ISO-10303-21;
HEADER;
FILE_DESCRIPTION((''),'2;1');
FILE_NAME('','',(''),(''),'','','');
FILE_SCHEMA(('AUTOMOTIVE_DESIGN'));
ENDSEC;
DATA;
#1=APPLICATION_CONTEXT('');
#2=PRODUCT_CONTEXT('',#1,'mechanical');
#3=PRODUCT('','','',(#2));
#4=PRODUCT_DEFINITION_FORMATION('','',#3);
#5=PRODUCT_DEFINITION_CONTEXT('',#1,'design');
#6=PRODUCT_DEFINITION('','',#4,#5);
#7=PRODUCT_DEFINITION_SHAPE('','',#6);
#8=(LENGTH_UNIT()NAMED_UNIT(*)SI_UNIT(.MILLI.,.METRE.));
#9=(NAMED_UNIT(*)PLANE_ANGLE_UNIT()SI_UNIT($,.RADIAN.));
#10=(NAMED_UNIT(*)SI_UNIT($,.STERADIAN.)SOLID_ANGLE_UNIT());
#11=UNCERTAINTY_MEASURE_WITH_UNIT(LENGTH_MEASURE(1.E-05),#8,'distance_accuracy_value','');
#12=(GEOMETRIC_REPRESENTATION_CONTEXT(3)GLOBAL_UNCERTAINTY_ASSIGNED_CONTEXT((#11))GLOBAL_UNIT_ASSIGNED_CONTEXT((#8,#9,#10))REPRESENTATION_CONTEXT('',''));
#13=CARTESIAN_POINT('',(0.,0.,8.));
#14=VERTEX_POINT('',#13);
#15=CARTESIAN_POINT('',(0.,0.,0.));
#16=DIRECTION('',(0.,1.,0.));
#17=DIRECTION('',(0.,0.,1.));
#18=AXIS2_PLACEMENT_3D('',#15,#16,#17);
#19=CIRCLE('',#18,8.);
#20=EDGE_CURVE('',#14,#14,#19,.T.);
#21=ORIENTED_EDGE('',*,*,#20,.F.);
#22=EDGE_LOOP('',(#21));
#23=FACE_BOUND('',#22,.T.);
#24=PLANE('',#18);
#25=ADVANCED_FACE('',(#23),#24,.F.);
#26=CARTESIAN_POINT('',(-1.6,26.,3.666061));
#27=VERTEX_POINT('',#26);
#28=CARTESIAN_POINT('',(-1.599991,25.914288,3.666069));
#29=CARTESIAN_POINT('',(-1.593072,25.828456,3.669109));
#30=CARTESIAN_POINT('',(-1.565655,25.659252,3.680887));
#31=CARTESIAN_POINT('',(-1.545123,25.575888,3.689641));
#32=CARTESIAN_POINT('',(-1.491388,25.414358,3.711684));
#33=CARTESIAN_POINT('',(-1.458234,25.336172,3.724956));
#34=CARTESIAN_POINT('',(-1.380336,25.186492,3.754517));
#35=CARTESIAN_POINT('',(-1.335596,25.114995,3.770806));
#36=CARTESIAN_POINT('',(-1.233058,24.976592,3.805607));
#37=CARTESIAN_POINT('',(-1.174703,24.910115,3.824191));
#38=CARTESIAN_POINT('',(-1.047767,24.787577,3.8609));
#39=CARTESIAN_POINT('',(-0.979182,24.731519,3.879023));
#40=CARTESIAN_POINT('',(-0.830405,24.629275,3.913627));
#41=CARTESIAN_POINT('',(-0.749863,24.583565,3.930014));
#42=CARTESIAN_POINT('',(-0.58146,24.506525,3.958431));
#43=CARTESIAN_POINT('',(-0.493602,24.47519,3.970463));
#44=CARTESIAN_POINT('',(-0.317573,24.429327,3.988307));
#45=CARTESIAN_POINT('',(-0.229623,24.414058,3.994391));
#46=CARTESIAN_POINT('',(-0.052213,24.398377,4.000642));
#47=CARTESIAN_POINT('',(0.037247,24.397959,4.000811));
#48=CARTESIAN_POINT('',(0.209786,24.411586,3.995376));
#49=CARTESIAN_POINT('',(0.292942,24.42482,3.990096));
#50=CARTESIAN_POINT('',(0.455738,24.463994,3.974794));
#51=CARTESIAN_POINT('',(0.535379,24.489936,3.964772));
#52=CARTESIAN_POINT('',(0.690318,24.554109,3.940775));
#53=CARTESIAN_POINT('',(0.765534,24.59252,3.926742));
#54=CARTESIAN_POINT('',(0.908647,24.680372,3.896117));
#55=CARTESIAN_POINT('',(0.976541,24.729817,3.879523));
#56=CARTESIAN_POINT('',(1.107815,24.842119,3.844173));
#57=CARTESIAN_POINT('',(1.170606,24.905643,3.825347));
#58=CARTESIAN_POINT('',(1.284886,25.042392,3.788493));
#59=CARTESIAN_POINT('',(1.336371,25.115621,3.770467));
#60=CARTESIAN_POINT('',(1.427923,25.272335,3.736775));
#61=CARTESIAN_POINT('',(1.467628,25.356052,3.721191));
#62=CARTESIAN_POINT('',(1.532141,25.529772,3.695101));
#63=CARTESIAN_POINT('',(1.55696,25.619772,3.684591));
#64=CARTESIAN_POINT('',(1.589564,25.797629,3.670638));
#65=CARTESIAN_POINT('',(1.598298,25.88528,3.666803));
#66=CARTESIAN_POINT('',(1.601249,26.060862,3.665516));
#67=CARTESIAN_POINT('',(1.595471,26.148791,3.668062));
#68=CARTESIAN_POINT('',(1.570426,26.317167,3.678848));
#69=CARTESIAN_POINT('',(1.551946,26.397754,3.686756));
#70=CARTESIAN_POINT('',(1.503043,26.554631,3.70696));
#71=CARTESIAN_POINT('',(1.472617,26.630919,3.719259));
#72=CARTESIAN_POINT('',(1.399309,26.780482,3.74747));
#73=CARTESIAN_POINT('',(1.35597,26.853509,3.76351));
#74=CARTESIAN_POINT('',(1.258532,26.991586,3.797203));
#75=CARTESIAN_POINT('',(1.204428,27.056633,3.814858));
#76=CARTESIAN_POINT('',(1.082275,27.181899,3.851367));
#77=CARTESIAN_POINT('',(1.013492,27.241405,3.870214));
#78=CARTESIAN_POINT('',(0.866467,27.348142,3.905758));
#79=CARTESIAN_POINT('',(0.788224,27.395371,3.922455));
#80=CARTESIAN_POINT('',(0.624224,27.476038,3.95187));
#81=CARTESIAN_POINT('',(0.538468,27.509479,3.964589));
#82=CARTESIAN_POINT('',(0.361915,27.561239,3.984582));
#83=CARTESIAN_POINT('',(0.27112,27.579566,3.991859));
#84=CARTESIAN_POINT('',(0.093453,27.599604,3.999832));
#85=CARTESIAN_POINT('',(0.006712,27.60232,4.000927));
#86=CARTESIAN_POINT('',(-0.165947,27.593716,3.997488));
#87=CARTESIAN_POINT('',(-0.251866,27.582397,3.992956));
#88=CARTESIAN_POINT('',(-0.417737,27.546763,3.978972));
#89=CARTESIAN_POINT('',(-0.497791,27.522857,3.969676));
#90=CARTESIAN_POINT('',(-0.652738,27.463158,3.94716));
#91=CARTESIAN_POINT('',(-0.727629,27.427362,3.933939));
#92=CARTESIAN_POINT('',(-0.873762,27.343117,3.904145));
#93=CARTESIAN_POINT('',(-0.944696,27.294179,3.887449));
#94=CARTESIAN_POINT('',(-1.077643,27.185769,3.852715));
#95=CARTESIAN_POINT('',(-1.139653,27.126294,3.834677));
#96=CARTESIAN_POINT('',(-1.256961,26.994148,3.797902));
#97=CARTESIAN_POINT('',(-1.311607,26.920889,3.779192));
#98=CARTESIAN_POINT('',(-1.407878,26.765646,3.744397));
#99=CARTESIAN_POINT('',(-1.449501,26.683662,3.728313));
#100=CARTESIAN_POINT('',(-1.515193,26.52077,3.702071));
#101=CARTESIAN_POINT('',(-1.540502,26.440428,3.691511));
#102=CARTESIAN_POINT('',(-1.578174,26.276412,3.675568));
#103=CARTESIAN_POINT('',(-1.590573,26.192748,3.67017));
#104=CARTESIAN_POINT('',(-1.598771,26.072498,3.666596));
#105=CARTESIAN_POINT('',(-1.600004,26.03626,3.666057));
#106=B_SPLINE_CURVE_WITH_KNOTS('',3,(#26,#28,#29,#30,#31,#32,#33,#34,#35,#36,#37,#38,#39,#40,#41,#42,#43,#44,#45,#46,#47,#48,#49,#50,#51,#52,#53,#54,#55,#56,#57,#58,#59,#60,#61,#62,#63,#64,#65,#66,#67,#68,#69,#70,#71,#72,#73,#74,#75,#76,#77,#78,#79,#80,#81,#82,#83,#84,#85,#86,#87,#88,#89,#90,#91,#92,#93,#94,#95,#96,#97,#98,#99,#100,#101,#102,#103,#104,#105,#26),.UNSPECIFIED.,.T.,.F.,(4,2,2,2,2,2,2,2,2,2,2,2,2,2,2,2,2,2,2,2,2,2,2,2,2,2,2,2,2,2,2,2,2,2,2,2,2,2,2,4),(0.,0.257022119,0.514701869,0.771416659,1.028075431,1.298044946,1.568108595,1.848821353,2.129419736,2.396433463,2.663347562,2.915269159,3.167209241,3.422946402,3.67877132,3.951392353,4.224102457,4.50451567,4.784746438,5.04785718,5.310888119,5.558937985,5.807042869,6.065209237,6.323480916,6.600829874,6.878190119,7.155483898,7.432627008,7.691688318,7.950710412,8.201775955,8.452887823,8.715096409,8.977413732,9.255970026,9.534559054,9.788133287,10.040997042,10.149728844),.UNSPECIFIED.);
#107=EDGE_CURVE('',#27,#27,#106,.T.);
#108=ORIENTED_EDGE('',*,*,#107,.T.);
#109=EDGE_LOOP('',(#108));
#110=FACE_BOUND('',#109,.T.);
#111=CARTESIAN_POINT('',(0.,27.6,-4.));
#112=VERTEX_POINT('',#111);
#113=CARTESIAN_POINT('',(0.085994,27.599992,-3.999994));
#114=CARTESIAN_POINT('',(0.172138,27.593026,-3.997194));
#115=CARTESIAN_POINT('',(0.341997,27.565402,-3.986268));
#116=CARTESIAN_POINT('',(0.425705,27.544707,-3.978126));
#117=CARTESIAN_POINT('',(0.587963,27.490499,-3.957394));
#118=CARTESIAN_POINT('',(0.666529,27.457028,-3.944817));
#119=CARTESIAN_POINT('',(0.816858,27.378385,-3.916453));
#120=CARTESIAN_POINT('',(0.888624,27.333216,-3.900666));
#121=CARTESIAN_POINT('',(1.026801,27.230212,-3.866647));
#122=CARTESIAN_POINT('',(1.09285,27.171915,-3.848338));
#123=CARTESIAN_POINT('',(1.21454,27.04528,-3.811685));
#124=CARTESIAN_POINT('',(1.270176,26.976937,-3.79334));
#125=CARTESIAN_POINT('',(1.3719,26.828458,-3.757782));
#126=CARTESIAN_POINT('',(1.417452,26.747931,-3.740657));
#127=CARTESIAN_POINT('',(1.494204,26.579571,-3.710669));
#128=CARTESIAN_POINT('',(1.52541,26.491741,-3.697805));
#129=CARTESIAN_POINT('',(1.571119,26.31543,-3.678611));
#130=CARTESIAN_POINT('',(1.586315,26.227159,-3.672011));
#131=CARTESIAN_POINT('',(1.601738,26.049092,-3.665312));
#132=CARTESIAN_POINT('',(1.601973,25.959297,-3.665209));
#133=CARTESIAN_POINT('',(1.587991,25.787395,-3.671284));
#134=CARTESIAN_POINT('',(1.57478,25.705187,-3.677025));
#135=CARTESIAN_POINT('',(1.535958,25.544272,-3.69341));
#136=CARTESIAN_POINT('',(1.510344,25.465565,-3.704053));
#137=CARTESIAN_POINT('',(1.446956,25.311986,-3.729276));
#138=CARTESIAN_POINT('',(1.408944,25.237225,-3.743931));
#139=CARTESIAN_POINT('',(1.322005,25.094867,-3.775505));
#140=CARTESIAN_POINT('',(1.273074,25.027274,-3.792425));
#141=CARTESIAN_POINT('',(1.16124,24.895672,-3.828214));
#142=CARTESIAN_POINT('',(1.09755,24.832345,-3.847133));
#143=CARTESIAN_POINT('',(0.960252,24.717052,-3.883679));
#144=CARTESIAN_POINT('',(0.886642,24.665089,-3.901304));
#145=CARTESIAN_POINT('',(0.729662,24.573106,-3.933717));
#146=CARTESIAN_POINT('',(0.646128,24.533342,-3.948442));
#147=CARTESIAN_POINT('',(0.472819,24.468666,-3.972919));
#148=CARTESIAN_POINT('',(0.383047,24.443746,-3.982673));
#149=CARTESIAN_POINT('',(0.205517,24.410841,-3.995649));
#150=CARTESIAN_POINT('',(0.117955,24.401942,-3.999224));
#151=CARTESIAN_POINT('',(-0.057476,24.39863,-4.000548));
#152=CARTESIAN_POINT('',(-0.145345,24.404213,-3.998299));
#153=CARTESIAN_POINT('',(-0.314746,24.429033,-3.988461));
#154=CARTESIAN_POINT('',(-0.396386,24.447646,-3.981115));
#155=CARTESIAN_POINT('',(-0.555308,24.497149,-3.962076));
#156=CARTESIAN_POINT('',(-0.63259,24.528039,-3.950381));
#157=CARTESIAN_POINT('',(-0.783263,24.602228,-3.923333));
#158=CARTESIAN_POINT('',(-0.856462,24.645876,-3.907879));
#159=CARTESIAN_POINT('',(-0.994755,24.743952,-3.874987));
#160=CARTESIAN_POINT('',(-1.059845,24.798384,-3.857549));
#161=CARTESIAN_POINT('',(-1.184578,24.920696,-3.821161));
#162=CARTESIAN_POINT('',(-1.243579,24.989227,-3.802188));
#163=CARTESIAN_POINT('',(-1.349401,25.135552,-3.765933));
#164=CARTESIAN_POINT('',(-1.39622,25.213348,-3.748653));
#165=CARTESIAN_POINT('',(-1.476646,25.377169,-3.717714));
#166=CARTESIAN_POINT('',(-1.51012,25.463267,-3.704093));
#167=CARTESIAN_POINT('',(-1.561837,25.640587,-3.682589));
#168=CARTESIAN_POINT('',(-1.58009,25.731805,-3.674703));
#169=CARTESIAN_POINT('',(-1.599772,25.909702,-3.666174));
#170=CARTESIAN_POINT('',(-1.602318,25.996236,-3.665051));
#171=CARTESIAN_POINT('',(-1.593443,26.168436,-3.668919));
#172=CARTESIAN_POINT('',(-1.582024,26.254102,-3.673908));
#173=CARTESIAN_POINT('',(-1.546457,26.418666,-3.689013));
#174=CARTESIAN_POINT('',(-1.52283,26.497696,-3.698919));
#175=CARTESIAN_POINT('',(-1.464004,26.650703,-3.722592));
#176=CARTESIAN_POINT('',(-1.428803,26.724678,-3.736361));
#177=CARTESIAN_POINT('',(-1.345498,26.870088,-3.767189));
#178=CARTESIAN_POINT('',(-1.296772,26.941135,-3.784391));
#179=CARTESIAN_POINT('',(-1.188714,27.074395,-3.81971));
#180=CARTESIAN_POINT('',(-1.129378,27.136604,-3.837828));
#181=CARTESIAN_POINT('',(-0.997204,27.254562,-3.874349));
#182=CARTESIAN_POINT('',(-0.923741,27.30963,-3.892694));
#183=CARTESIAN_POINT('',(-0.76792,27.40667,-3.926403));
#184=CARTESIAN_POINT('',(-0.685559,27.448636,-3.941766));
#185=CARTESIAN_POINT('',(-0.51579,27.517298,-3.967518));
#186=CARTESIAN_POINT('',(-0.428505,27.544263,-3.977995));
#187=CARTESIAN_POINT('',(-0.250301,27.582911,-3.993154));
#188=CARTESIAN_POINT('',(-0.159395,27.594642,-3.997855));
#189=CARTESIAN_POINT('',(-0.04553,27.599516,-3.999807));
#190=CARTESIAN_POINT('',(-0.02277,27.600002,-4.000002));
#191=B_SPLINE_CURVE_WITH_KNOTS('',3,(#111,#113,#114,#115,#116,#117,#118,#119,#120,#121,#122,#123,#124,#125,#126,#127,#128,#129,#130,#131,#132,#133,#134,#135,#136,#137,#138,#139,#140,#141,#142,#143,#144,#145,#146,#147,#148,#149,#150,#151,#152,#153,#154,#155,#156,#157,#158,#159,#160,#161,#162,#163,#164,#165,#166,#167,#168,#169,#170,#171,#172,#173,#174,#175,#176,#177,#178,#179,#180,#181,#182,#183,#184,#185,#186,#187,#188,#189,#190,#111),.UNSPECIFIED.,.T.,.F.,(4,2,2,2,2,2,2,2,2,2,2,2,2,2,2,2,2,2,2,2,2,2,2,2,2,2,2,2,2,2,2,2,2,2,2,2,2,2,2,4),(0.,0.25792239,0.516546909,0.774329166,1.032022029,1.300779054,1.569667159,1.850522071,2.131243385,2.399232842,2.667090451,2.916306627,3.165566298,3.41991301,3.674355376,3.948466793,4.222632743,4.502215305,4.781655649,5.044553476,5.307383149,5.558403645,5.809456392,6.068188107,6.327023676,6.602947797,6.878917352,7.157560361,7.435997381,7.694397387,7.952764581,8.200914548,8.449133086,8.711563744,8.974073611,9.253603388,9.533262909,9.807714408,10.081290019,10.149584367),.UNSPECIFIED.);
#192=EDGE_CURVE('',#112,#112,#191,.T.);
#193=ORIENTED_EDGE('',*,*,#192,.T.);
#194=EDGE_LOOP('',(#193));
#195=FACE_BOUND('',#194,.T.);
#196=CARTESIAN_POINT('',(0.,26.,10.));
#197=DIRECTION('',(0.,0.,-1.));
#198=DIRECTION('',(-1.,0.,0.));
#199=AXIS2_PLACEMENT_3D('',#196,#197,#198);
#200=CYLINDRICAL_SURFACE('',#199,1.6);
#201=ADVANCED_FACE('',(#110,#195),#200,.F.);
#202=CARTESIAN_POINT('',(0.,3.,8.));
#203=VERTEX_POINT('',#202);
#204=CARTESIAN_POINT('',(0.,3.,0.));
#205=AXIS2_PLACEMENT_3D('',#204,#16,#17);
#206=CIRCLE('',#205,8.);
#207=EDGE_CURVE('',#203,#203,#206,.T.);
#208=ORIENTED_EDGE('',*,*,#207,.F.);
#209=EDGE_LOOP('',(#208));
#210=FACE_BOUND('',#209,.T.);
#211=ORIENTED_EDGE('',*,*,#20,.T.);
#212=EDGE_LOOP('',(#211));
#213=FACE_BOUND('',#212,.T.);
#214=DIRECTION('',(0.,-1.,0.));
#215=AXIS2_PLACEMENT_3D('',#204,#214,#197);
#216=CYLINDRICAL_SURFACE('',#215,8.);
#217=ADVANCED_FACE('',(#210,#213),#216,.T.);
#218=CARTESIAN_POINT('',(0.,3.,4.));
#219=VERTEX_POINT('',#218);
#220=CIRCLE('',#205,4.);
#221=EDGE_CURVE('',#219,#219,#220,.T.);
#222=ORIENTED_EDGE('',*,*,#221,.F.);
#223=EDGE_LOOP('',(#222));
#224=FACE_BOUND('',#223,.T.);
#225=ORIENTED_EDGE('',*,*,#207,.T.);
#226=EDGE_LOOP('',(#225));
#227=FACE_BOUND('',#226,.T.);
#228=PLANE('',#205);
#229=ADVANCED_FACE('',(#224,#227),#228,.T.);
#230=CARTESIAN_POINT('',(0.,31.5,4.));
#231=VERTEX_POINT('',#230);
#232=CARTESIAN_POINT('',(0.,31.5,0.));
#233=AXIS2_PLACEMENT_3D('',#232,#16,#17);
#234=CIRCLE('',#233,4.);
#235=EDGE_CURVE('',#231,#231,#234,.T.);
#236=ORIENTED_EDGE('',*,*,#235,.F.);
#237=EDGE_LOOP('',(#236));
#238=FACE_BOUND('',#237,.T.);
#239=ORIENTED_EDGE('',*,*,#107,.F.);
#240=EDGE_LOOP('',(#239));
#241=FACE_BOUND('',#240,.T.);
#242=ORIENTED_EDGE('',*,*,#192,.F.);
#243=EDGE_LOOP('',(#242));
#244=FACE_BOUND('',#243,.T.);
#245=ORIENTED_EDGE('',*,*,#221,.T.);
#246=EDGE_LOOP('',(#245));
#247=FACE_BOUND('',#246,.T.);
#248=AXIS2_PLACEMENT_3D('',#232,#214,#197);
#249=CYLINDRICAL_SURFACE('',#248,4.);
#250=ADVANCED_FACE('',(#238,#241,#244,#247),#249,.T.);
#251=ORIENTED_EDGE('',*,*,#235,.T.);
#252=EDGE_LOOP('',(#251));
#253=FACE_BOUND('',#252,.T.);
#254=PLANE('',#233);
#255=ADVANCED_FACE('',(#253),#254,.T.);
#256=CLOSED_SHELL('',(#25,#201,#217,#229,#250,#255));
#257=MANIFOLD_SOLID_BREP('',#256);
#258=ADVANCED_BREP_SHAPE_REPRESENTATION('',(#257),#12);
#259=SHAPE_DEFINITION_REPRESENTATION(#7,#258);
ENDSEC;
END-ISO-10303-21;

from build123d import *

# Parameters (mm, degrees)
ESQUISSE1_R                  = 8
ESQUISSE1_R_2                = 4
BOSS_EXTRU_1_DEPTH           = 3
ESQUISSE1_4_R                = 4
BOSS_EXTRU_3_DEPTH           = 31.5
ENL_V_MAT_EXTRU_1_DEPTH      = 10
ENL_V_MAT_EXTRU_1_DEPTH_BACK = 10
ESQUISSE2_R                  = 1.6


with BuildPart() as part:
    # Esquisse1 → Boss.-Extru.1 (new body)
    with BuildSketch(Plane(origin=(0, 0, 0), x_dir=(1, 0, 0), z_dir=(0, 1, 0))):
        Circle(ESQUISSE1_R)
        Circle(ESQUISSE1_R_2, mode=Mode.SUBTRACT)
    extrude(amount=BOSS_EXTRU_1_DEPTH)

    # Esquisse1<4> → Boss.-Extru.3 (add)
    with BuildSketch(Plane(origin=(0, 0, 0), x_dir=(1, 0, 0), z_dir=(0, 1, 0))):
        Circle(ESQUISSE1_4_R)
    extrude(amount=BOSS_EXTRU_3_DEPTH)

    # Esquisse2 → Enlèv. mat.-Extru.1 (cut, two sides: drawn at the far end of the back side and taken through both)
    with BuildSketch(Plane.XY.offset(-ENL_V_MAT_EXTRU_1_DEPTH_BACK)):
        with Locations((0, 26)):
            Circle(ESQUISSE2_R)
    extrude(amount=ENL_V_MAT_EXTRU_1_DEPTH + ENL_V_MAT_EXTRU_1_DEPTH_BACK, mode=Mode.SUBTRACT)


solid = part.part
